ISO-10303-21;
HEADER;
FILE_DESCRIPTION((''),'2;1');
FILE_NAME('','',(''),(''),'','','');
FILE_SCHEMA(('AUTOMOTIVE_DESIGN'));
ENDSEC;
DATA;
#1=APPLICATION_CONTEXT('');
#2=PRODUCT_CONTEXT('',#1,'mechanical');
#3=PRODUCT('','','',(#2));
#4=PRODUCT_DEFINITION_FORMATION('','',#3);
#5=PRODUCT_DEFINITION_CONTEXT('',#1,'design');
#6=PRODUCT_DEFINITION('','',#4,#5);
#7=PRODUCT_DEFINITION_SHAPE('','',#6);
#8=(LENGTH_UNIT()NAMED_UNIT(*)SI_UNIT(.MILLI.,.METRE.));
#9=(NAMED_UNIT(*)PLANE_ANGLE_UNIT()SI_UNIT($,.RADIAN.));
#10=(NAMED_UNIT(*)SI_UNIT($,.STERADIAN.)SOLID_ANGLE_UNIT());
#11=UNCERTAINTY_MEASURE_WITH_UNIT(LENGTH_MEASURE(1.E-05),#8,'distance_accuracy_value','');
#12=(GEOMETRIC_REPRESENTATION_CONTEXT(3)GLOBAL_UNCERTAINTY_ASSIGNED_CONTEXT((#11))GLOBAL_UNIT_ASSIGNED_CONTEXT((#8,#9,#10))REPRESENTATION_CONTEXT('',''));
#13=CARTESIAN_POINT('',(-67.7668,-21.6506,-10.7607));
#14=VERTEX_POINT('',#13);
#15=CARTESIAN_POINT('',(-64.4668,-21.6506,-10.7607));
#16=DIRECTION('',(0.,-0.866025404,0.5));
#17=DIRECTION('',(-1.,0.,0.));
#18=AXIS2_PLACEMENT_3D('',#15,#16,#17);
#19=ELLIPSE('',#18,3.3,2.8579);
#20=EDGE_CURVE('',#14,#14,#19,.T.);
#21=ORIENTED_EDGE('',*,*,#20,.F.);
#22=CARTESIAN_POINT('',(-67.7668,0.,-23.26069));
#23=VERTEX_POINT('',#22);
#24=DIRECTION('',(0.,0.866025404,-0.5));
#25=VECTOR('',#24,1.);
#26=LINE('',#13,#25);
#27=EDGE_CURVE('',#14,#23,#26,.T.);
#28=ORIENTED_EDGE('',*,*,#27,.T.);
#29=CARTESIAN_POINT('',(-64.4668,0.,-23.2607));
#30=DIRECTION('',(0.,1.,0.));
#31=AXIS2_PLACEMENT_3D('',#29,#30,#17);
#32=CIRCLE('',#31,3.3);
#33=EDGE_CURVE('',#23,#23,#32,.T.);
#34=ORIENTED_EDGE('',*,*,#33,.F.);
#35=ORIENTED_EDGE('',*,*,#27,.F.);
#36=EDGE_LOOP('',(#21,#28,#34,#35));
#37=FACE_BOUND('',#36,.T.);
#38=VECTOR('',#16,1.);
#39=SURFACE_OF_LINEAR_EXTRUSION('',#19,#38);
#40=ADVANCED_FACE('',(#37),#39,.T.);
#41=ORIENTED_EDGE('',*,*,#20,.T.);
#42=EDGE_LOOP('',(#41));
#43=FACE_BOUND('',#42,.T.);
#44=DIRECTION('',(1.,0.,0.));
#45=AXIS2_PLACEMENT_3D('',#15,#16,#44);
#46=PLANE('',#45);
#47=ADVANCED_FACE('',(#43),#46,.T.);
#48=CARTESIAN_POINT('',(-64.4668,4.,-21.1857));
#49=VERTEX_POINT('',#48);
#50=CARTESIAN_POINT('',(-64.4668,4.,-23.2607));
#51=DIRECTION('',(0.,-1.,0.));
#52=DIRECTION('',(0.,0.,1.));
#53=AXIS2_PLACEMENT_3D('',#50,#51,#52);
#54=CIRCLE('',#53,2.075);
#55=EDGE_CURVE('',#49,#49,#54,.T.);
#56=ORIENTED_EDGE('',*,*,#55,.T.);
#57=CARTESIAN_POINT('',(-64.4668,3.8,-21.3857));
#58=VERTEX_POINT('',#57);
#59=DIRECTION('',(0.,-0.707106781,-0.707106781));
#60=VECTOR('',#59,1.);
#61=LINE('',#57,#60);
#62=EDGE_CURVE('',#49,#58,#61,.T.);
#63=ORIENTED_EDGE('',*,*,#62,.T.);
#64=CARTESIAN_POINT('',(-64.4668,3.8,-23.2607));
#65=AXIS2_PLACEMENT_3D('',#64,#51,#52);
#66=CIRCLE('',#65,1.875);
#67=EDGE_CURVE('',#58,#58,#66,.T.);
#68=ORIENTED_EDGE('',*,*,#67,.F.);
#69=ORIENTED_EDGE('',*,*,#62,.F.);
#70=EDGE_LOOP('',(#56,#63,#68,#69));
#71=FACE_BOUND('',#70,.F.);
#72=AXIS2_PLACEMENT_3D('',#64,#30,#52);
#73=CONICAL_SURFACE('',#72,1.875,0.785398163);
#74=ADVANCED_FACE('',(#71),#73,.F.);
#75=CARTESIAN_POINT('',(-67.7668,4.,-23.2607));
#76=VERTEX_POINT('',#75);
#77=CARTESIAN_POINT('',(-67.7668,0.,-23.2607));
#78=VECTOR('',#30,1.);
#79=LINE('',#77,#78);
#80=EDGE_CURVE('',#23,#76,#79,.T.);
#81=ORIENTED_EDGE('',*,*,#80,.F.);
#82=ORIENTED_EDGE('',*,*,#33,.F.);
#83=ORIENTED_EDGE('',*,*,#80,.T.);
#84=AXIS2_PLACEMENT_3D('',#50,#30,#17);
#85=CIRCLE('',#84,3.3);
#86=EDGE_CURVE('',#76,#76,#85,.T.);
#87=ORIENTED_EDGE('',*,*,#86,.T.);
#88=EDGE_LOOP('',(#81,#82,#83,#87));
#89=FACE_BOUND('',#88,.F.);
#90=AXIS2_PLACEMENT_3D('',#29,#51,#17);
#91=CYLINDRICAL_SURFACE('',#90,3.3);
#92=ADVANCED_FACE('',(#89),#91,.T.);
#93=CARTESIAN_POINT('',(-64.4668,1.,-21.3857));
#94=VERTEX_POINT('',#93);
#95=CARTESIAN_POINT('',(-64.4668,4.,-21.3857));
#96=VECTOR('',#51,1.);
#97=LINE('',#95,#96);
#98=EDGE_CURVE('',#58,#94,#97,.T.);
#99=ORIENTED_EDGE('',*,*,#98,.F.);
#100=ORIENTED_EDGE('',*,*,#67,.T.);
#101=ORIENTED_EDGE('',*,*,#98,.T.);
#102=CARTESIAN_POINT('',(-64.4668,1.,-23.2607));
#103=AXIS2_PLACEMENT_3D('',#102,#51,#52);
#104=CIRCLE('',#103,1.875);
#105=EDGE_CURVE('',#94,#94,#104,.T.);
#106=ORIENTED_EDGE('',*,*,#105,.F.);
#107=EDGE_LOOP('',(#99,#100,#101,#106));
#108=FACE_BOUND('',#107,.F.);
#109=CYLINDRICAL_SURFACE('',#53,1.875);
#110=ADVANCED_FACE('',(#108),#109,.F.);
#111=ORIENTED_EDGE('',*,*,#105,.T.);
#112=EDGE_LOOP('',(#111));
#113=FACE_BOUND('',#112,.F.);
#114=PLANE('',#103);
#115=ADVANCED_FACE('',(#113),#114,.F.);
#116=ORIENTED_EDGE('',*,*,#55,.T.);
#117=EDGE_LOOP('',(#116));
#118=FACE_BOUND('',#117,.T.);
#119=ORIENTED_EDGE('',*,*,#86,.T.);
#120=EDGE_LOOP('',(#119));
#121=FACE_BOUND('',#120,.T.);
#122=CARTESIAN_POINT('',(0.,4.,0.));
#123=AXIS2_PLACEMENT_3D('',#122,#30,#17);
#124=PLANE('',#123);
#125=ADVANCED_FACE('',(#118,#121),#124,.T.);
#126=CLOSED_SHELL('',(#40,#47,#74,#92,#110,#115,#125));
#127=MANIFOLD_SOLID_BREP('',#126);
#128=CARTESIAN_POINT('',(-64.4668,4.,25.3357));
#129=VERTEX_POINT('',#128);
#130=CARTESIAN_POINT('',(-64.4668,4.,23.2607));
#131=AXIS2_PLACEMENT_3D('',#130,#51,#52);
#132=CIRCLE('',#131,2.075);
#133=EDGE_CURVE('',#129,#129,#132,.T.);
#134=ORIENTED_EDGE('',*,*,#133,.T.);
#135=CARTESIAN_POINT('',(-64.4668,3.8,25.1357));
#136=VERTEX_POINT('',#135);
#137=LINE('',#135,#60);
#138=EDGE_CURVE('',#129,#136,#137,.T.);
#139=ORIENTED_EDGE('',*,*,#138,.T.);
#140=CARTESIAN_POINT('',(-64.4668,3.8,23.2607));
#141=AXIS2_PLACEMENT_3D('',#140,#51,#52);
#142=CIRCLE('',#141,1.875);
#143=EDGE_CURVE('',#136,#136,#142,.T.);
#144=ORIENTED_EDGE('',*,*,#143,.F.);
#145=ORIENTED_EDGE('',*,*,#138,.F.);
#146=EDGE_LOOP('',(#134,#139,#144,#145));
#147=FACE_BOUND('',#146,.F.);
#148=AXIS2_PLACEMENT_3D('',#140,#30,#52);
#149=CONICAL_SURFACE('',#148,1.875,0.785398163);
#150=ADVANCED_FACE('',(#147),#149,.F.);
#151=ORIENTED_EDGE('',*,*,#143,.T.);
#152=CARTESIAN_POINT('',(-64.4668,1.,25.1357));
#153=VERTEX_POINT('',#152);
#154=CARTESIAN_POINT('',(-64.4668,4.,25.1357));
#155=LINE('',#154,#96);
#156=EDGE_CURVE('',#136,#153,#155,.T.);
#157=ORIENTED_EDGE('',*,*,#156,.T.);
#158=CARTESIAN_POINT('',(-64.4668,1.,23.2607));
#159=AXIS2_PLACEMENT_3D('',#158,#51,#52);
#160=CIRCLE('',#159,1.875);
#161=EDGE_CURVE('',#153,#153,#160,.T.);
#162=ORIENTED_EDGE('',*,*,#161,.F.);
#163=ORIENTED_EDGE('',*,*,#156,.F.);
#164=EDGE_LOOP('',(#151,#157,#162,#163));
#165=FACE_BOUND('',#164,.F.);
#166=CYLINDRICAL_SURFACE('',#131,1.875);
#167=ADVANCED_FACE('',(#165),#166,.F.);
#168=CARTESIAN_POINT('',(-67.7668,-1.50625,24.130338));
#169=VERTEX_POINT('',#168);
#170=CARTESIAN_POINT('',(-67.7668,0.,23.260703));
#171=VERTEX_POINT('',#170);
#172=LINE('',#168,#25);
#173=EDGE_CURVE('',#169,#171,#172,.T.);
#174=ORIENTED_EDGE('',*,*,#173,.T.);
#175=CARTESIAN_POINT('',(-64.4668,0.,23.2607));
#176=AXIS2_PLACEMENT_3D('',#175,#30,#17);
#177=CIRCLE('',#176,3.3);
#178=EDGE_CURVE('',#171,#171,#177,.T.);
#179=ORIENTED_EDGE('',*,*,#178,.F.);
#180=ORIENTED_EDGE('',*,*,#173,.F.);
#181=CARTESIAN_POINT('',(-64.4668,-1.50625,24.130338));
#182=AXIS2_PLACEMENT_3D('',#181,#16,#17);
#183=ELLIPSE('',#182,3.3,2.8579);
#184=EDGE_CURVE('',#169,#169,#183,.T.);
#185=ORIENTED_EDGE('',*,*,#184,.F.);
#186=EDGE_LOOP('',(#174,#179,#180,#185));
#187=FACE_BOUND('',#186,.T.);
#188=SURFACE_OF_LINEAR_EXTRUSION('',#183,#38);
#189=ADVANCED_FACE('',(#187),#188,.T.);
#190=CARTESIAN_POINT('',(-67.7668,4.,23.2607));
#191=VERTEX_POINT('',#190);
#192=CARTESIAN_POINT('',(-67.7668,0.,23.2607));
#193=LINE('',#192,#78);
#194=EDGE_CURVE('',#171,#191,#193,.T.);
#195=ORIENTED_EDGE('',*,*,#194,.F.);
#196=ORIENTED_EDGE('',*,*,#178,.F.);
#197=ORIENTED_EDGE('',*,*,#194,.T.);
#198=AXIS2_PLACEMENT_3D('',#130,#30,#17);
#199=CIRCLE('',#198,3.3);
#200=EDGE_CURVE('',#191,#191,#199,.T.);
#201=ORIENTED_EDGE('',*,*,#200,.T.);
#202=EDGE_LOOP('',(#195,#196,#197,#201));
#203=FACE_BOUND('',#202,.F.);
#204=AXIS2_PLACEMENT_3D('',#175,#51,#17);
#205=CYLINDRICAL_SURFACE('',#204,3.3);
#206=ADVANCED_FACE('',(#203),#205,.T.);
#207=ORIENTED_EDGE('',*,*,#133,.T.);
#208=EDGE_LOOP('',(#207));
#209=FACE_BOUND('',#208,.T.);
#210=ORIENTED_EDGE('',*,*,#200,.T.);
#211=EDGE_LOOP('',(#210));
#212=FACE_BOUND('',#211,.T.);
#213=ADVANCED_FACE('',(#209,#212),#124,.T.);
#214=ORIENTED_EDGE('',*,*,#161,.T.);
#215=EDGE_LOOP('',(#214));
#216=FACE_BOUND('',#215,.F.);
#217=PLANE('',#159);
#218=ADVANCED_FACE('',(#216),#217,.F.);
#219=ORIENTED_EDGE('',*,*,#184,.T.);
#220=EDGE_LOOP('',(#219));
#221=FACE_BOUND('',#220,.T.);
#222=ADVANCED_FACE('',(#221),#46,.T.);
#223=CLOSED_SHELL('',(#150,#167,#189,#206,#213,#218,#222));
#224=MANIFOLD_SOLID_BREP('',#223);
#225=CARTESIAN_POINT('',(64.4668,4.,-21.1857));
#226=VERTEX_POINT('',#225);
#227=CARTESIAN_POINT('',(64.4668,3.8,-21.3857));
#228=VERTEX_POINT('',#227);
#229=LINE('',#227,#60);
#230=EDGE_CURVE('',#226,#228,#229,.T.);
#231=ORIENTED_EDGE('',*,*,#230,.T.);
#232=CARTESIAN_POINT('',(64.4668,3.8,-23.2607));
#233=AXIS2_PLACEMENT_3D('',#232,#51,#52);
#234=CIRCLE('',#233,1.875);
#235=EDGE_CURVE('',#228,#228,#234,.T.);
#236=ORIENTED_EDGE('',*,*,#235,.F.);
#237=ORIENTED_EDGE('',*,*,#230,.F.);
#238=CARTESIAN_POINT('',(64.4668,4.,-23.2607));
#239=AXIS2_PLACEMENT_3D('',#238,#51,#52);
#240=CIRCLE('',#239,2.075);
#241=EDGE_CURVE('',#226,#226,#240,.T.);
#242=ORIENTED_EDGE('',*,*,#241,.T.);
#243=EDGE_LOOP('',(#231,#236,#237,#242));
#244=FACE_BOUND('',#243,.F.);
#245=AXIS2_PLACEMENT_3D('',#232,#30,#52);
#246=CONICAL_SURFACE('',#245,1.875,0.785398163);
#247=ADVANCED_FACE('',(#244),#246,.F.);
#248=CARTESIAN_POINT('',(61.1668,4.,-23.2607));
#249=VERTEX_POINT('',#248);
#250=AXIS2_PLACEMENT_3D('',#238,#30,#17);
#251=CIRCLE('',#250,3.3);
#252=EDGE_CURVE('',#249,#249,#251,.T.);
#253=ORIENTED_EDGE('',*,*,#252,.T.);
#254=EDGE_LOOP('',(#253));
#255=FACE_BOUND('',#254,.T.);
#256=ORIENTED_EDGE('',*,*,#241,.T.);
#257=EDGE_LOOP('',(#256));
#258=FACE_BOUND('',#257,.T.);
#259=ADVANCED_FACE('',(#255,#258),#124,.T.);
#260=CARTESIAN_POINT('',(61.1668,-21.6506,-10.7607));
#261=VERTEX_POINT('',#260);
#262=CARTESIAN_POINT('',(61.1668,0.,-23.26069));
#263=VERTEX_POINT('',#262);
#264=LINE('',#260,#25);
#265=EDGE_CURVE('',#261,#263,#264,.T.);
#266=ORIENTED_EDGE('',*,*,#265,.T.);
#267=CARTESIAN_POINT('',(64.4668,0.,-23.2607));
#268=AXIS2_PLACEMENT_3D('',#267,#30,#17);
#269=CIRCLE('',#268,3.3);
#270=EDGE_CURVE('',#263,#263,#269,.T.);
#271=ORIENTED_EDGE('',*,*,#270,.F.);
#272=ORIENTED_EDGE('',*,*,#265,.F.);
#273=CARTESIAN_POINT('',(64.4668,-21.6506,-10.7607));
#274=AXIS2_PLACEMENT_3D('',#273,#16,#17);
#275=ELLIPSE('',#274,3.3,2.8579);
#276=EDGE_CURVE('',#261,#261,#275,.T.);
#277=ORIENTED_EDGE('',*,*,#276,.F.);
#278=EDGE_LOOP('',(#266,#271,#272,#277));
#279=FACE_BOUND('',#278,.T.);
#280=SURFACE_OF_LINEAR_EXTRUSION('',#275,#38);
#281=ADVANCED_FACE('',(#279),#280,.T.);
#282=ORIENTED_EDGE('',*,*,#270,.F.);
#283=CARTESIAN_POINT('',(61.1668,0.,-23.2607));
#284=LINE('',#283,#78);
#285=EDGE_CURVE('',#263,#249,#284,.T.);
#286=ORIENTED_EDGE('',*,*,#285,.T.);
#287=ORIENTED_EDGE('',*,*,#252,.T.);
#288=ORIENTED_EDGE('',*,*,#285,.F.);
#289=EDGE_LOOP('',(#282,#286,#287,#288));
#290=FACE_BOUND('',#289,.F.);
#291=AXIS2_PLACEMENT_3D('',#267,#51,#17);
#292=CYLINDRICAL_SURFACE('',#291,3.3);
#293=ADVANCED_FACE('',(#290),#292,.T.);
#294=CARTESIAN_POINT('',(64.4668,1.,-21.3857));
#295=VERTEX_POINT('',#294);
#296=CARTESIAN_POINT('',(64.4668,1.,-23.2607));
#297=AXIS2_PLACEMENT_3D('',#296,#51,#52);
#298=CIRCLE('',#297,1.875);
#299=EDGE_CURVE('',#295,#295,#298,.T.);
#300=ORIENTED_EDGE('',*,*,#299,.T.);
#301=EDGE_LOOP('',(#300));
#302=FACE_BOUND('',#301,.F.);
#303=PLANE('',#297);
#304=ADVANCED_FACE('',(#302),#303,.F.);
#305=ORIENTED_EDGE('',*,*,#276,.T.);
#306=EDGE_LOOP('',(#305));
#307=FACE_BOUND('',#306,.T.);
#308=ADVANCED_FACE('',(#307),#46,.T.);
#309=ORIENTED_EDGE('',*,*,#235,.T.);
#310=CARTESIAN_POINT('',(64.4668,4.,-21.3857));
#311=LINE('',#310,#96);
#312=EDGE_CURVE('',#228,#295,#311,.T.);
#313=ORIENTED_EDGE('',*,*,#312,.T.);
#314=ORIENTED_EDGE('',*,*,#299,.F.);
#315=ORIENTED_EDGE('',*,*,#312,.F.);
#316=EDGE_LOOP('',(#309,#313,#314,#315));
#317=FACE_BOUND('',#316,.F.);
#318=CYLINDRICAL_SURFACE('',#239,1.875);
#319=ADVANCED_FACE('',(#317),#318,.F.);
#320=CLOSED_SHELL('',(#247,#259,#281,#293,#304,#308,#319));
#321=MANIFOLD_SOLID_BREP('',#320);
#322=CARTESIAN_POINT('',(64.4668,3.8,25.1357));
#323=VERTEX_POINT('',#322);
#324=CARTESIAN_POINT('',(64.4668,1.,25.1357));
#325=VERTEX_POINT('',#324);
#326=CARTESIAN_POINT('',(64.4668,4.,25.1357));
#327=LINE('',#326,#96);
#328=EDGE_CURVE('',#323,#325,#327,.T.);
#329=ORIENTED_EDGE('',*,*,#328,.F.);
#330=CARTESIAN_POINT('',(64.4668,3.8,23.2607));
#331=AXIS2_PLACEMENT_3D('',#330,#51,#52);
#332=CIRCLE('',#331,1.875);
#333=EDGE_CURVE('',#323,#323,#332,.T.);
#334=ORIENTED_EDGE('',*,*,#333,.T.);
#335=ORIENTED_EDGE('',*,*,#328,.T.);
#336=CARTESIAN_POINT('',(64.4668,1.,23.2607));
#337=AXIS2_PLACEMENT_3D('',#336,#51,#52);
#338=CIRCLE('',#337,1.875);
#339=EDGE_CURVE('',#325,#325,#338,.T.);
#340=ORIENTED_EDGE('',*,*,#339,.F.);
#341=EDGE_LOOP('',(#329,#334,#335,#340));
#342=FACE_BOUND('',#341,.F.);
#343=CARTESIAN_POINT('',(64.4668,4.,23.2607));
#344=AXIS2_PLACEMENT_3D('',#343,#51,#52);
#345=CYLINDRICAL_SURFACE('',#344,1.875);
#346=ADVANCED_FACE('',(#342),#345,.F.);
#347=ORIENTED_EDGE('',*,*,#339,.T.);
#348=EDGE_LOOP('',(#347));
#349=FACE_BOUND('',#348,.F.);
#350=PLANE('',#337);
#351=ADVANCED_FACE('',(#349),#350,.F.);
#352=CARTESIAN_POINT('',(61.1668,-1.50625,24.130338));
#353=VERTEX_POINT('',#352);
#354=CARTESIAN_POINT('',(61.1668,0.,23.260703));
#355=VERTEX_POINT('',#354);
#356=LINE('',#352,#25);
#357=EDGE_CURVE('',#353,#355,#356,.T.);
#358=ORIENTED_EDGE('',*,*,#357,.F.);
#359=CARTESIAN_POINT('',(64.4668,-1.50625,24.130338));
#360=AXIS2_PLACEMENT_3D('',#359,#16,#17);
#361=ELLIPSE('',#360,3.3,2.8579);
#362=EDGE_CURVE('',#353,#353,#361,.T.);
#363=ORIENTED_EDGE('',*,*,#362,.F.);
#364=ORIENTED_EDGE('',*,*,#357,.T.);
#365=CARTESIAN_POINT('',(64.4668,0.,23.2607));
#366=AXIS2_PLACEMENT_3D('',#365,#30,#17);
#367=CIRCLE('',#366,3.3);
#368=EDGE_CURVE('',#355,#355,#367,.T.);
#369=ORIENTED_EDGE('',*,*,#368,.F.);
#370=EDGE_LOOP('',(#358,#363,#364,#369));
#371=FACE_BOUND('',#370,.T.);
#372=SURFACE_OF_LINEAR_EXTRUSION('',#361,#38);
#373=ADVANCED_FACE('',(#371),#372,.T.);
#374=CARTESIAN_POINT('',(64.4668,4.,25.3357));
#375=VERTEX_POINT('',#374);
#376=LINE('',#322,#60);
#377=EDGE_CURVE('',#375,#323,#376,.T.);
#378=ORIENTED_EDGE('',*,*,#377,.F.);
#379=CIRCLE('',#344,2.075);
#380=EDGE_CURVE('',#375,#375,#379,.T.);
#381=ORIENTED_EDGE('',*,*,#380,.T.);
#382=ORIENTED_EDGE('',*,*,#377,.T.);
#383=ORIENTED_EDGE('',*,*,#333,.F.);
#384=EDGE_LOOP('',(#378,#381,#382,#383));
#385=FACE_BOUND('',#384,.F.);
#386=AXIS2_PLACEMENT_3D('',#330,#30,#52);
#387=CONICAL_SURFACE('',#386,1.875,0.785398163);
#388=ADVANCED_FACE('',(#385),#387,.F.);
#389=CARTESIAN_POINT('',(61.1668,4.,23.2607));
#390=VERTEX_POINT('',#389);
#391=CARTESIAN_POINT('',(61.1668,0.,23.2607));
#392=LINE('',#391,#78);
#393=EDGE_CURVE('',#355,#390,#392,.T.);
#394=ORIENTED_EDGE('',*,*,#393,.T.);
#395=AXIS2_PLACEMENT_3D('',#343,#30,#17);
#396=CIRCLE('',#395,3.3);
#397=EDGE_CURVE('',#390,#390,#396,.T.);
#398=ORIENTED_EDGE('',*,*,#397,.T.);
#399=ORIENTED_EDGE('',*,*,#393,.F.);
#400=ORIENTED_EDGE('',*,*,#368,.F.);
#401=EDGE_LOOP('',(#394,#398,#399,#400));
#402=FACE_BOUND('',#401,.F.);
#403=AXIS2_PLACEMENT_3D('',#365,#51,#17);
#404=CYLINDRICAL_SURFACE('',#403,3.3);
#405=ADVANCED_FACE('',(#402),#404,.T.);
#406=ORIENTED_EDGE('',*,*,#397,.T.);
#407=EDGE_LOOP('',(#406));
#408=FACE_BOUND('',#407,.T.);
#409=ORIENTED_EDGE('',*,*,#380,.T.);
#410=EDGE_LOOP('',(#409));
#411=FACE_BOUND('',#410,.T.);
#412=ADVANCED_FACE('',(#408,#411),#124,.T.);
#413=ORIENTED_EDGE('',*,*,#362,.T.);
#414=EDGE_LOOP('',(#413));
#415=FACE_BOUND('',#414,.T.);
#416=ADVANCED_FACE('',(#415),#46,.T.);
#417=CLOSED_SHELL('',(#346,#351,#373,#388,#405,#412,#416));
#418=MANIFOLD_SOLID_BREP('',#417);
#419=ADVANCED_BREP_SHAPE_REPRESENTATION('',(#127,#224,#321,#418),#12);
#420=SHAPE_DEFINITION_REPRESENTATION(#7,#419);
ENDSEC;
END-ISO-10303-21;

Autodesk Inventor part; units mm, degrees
ref_plane "YZ Plane" through (0, 0, 0) normal (1, 0, 0) x (0, 1, 0)
ref_plane "XZ Plane" through (0, 0, 0) normal (0, 1, 0) x (-1, 0, 0)
sketch "Sketch1" plane through (0, 0, 0) normal (0, 1, 0) x (-1, 0, 0)
  line L0 (64.4668, 23.2607) -> (-64.4668, 23.2607) construction
  line L1 (-64.4668, 23.2607) -> (-64.4668, -23.2607) construction
  line L2 (-64.4668, -23.2607) -> (64.4668, -23.2607) construction
  line L3 (64.4668, -23.2607) -> (64.4668, 23.2607) construction
  line L4 (64.4668, 23.2607) -> (-64.4668, -23.2607) construction
  line L5 (-64.4668, 23.2607) -> (64.4668, -23.2607) construction
  circle A0 centre (64.4668, -23.2607) radius 1.55 construction
  line L6 (0, -23.2607) -> (0, 23.2607) construction
  line L7 (64.4668, 0) -> (-64.4668, 0) construction
  circle A1 centre (-64.4668, -23.2607) radius 1.55 construction
  circle A2 centre (64.4668, 23.2607) radius 1.55 construction
  circle A3 centre (-64.4668, 23.2607) radius 1.55 construction
  line L8 (67.4168, -26.2107) -> (-67.4168, -26.2107) construction
  line L9 (-67.4168, -26.2107) -> (-67.4168, 26.2107) construction
  line L10 (-67.4168, 26.2107) -> (67.4168, 26.2107) construction
  line L11 (67.4168, 26.2107) -> (67.4168, -26.2107) construction
  line L12 (66.0168, -23.2607) -> (67.4168, -23.2607) construction
  line L13 (-64.4668, 24.8107) -> (-64.4668, 26.2107) construction
  line L14 (-66.0168, 23.2607) -> (-67.4168, 23.2607) construction
  point P0 (0, 0)
  dimension "d2" = 3.1
  dimension "d0" = 46.5214
  dimension "d1" = 128.9336
  dimension "d5" = 1.4
  dimension "d6" = 1.4
  dimension "d7" = 1.4
  dimension "d8" = 1.4
sketch "Sketch2" plane through (0, 0, 0) normal (0, 1, 0) x (-1, 0, 0)
  circle A0 centre (64.4668, -23.2607) radius 1.55 construction
  circle A1 centre (-64.4668, -23.2607) radius 1.55 construction
  circle A2 centre (-64.4668, 23.2607) radius 1.55 construction
  circle A3 centre (64.4668, 23.2607) radius 1.55 construction
  circle A4 centre (64.4668, -23.2607) radius 3.3
  circle A5 centre (-64.4668, -23.2607) radius 3.3
  circle A6 centre (-64.4668, 23.2607) radius 3.3
  circle A7 centre (64.4668, 23.2607) radius 3.3
  point P0 (0, 0)
  dimension "d9" = 1.75
extrude "Extrusion2" add sketch "Sketch2" along normal blind 4
sketch "Sketch3" plane through (-64.4668, 4, -23.2607) normal (0, 1, 0) x (1, 0, 0)
  circle A0 centre (0, 0) radius 3.3 projected
  circle A1 centre (128.9336, 0) radius 3.3 projected
  circle A2 centre (128.9336, -46.5214) radius 3.3 projected
  circle A3 centre (0, -46.5214) radius 3.3 projected
  point P0 (64.4668, -23.2607)
hole "Hole1" at (-64.4668, 4, -23.2607) at (64.4668, 4, -23.2607) at (64.4668, 4, 23.2607) at (-64.4668, 4, 23.2607) direction (0, -1, 0) diameter 3.75 depth 3
chamfer "Chamfer1" distance 0.2 angle 45 4 edges at (-64.4668, 4, 21.3857) (64.4668, 4, 21.3857) (64.4668, 4, -25.1357) (-64.4668, 4, -25.1357)
ref_plane "Work Plane1" through (0, 0, 0) normal (0, 1, 0) x (1, 0, 0)
sketch "Sketch4" plane through (-64.4668, 0, -23.2607) normal (0, -1, 0) x (1, 0, 0)
  circle A0 centre (0, 0) radius 1.875 construction
  circle A1 centre (0, 46.5214) radius 1.875 construction
  circle A2 centre (128.9336, 46.5214) radius 3.3 construction
  circle A3 centre (128.9336, 0) radius 1.875 construction
  line L0 (0, 0) -> (128.9336, 0) construction
  circle A4 centre (0, 46.5214) radius 3.3 construction
  line L1 (0, 46.5214) -> (128.9336, 46.5214) construction
  point P0 (64.4668, 23.2607)
ref_plane "Work Plane3" through (-64.4668, -21.6506, -10.7607) normal (0, -0.866, 0.5) x (1, 0, 0)
ref_plane "Work Plane2" through (-64.4668, 0, -23.2607) normal (0, -0.866, 0.5) x (1, 0, 0)
sketch "Sketch5" plane through (-64.4668, -21.6506, -10.7607) normal (0, -0.866, 0.5) x (1, 0, 0)
  ellipse E0 centre (0, 40.2887) end of major axis (-3.3, 40.2887) minor radius 2.8579 projected
  ellipse E1 centre (0, 0) end of major axis (-3.3, 0) minor radius 2.8579 projected
  ellipse E2 centre (128.9336, 40.2887) end of major axis (125.6336, 40.2887) minor radius 2.8579 projected
  ellipse E3 centre (128.9336, 0) end of major axis (125.6336, 0) minor radius 2.8579 projected
  point P0 (64.4668, 20.1444)
extrude "Extrusion3" add sketch "Sketch5" against normal up to surface contours E0 | E2 surface through (64.4668, 0, -23.2607) normal (0, 1, 0)
sketch "Sketch6" plane through (-64.4668, -21.6506, -10.7607) normal (0, -0.866, 0.5) x (1, 0, 0)
  ellipse E0 centre (128.9336, 0) end of major axis (125.6336, 0) minor radius 2.8579 projected
  ellipse E1 centre (0, 0) end of major axis (-3.3, 0) minor radius 2.8579 projected
  point P0 (64.4668, 20.1444)
extrude "Extrusion4" add sketch "Sketch6" against normal up to surface surface through (64.4668, 0, -23.2607) normal (0, 1, 0)
properties part number "relay_module_standoffs_angled"
